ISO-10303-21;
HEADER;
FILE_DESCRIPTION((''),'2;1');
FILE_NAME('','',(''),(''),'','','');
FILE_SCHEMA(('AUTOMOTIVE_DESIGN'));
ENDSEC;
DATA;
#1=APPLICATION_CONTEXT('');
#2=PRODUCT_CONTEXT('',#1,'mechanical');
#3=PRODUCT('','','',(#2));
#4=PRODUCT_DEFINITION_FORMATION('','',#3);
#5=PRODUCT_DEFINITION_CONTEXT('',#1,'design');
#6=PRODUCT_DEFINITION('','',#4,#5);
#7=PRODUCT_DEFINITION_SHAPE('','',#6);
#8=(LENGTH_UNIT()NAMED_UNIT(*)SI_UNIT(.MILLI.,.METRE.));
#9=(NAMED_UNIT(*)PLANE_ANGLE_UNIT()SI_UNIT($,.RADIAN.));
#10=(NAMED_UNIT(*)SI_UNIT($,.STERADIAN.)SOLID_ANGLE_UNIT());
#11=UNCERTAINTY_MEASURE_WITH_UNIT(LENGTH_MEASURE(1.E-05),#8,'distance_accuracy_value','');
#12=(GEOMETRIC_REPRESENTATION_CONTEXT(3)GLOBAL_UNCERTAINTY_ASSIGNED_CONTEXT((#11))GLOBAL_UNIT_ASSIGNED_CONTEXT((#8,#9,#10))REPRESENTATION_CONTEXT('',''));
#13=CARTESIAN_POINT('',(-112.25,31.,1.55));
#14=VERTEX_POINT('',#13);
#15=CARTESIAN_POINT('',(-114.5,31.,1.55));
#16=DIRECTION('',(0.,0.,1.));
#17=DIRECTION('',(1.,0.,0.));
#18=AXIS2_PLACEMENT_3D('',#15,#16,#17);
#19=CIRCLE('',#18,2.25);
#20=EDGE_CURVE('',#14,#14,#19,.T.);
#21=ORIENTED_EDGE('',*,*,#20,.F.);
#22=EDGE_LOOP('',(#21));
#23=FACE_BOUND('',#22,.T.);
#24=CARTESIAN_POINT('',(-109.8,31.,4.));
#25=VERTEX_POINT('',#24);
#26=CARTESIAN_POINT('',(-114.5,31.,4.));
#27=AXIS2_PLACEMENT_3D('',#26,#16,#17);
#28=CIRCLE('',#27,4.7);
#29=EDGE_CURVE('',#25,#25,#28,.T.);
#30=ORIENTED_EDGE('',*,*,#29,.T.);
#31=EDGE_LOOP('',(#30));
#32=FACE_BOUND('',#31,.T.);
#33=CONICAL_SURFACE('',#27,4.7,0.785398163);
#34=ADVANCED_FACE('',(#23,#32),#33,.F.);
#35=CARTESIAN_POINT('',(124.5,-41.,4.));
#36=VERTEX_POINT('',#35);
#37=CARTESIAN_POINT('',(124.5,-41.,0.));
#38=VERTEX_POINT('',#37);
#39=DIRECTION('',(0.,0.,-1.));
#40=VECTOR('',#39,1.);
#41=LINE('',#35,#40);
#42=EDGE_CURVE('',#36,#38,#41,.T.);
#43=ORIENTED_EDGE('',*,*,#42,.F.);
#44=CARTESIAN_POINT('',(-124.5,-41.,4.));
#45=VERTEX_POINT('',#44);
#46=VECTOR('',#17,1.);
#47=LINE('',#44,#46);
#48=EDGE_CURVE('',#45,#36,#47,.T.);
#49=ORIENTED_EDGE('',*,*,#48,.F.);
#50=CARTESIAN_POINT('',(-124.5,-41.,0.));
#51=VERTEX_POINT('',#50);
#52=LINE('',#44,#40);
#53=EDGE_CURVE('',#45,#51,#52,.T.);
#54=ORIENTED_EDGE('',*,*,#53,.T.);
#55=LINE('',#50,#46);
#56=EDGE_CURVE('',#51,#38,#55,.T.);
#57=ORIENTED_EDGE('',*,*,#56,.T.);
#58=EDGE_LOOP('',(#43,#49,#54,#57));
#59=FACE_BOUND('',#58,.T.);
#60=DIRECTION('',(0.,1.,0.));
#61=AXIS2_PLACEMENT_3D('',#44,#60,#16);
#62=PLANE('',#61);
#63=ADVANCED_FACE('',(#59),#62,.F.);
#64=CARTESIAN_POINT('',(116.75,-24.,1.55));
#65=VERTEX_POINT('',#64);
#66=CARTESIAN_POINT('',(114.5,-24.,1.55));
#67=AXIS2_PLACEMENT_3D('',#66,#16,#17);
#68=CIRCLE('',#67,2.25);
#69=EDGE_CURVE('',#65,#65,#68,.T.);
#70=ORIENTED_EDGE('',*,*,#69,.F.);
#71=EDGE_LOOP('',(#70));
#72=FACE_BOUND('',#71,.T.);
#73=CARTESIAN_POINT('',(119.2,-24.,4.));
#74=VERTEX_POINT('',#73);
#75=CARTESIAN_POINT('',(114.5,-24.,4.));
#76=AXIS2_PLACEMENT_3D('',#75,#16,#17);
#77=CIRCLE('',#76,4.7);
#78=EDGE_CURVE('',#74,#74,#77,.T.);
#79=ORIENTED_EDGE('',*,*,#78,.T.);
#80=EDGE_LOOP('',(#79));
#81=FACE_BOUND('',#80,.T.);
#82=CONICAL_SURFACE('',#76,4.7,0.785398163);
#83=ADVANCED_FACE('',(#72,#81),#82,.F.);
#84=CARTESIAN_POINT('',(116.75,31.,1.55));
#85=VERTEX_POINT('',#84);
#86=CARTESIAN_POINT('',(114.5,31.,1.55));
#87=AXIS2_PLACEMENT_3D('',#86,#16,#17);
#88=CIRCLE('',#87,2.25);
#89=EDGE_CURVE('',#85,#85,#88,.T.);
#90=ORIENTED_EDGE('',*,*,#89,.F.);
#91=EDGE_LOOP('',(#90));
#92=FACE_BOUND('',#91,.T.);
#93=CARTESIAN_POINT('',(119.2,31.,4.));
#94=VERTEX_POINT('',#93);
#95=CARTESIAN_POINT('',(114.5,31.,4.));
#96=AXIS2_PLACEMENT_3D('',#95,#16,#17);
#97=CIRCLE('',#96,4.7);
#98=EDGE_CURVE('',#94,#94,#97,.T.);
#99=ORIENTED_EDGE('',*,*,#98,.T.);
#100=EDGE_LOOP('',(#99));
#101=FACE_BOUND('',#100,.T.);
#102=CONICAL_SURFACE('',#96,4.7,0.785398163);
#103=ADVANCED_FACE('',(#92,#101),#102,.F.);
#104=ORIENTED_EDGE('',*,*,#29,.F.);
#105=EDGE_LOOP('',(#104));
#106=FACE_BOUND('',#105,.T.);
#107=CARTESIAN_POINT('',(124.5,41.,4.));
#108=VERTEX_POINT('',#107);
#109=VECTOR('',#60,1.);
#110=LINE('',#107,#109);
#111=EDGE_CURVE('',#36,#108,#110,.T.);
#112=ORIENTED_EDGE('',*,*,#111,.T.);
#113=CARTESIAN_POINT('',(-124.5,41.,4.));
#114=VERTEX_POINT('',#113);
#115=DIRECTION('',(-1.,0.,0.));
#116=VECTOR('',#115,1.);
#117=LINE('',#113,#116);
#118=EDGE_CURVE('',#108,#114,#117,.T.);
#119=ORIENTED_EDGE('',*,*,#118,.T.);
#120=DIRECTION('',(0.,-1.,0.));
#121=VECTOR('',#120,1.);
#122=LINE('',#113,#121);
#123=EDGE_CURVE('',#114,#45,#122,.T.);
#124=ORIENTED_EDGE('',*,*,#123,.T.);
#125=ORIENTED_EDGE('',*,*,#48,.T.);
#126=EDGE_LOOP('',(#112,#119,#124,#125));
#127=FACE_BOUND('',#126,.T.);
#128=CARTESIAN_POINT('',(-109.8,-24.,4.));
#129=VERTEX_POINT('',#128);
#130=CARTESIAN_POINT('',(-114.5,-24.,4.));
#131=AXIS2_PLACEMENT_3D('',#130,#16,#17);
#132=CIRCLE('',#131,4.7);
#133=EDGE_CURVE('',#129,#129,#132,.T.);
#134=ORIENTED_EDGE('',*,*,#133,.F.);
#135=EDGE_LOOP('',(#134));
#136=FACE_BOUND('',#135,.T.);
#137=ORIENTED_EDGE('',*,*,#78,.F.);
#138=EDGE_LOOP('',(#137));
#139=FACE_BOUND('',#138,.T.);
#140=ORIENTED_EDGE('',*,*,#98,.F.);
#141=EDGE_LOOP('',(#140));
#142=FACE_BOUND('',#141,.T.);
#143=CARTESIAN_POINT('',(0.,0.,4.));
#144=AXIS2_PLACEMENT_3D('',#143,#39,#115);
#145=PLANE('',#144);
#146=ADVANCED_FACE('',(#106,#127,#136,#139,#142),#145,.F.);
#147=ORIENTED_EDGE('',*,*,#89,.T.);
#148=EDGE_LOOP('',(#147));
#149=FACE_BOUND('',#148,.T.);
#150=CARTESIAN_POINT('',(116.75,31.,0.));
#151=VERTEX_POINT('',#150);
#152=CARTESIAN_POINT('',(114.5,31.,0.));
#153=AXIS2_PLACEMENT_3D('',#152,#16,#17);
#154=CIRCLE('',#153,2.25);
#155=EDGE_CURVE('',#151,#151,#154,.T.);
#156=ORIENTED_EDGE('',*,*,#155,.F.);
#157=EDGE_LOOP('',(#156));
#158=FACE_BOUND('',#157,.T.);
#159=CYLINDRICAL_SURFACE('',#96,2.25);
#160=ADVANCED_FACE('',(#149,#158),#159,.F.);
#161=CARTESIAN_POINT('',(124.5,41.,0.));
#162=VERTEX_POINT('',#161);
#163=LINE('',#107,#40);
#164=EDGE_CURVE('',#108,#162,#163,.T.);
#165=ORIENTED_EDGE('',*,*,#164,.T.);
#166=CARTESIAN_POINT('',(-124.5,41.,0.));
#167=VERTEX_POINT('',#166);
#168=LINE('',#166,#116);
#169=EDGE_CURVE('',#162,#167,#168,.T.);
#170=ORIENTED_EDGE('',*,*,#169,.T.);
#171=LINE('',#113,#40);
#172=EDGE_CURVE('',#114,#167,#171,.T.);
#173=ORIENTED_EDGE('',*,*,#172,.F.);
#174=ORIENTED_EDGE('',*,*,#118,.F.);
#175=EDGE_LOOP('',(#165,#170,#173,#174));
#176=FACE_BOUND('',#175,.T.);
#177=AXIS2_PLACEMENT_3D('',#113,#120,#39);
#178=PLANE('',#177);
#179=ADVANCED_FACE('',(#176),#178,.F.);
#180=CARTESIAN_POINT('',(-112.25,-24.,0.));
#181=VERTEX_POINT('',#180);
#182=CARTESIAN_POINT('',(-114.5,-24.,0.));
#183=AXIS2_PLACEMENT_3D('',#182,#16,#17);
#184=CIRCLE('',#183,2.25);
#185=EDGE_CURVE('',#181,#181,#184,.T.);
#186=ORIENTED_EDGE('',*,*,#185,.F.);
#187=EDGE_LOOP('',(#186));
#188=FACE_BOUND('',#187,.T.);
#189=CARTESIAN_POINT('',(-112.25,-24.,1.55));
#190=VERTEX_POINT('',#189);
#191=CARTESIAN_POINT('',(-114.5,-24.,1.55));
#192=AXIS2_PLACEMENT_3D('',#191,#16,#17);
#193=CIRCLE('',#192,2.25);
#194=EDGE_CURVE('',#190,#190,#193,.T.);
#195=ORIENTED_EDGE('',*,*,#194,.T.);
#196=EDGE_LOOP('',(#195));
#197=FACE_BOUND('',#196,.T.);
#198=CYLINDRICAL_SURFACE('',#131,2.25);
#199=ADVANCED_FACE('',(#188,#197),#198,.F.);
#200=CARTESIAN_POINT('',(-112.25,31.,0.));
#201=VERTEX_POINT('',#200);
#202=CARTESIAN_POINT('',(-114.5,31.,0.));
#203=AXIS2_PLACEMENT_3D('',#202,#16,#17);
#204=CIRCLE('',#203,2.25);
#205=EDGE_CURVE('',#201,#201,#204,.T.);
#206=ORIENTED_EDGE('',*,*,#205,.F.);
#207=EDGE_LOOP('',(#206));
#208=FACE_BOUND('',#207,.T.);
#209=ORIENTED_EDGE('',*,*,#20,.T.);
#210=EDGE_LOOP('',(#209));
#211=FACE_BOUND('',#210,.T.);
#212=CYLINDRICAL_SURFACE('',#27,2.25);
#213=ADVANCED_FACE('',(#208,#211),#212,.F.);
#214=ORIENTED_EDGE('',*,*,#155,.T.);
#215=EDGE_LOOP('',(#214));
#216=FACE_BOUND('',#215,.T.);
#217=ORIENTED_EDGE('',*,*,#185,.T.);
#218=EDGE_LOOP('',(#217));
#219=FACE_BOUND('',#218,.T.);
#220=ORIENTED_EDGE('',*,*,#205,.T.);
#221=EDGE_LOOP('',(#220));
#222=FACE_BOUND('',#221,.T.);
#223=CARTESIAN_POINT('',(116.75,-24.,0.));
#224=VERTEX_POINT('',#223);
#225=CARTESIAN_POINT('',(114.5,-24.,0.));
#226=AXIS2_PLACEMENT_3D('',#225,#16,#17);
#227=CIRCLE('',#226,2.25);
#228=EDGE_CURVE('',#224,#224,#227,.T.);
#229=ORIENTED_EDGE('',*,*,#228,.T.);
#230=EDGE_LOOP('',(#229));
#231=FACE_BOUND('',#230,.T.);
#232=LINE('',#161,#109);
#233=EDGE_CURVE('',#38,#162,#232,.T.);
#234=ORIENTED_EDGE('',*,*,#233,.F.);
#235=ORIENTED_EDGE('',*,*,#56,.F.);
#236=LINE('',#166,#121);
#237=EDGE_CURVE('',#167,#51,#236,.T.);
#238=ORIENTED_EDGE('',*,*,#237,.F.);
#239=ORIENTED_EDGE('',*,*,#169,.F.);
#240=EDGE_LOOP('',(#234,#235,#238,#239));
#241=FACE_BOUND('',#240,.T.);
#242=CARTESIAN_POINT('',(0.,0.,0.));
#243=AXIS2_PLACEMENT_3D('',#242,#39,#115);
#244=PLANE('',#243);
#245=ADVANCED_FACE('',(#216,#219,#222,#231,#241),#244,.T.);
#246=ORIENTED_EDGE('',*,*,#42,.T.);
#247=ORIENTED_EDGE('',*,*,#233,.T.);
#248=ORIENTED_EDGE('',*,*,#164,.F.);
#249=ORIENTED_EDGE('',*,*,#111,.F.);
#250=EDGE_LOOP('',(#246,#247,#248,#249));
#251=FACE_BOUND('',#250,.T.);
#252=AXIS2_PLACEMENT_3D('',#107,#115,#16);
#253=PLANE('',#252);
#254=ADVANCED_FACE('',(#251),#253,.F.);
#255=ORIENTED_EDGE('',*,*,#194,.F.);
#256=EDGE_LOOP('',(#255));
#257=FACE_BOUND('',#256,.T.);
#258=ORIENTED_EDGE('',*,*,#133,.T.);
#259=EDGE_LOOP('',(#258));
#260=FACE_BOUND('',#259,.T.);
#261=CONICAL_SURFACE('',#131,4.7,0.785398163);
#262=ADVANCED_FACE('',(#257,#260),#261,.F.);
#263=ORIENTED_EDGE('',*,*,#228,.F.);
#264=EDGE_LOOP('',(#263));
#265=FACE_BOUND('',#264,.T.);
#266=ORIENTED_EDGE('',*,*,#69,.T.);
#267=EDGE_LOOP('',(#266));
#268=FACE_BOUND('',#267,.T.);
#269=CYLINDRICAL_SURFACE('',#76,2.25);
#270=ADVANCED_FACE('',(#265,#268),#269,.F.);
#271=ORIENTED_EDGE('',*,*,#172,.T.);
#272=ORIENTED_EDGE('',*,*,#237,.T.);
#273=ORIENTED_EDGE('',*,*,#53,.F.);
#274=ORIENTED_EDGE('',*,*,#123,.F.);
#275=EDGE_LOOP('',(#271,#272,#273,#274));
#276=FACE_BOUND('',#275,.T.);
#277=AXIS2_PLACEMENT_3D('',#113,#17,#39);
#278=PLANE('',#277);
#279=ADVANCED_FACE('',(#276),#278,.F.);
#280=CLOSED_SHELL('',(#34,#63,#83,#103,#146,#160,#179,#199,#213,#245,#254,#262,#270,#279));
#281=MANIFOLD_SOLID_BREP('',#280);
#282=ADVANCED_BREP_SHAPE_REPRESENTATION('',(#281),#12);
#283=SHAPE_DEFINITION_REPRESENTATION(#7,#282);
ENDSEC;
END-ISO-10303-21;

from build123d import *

# Parameters (mm, degrees)
ESQUISSE1_W                                 = 249
ESQUISSE1_H                                 = 82
BOSS_EXTRU_1_DEPTH                          = 4
FRAISAGE_POUR_VIS_T_TE_FRAIS_E_M42_AT_COUNT = 2
FRAISAGE_POUR_VIS_T_TE_FRAIS_E_M42_AT_PITCH = 55
FRAISAGE_POUR_VIS_T_TE_FRAIS_E_M42_2_COUNT  = 2
FRAISAGE_POUR_VIS_T_TE_FRAIS_E_M42_2_PITCH  = 229
FRAISAGE_POUR_VIS_T_TE_FRAIS_E_M42_3_COUNT  = 2
FRAISAGE_POUR_VIS_T_TE_FRAIS_E_M42_3_PITCH  = 235.512207752


with BuildPart() as part:
    # Esquisse1 → Boss.-Extru.1 (new body)
    with BuildSketch(Plane.XY):
        Rectangle(ESQUISSE1_W, ESQUISSE1_H)
    extrude(amount=BOSS_EXTRU_1_DEPTH)

    # Esquisse6 → Fraisage pour vis à tête fraisée M42 (revolve, cut)
    with BuildSketch(Plane(origin=(-114.5, -24, 4), x_dir=(0, -1, 0), z_dir=(1, 0, 0))):
        Polygon((0, 0), (0, 4), (2.25, 4), (2.25, 2.45), (4.7, 0), align=None)
    fraisage_pour_vis_t_te_frais_e_m42 = revolve(axis=Axis((-114.5, -24, 10.35), (0, 0, -1)), mode=Mode.SUBTRACT)

    # Fraisage pour vis à tête fraisée M42 at: Fraisage pour vis à tête fraisée M42 ×2
    with Locations(*[(0, i * FRAISAGE_POUR_VIS_T_TE_FRAIS_E_M42_AT_PITCH, 0) for i in range(1, FRAISAGE_POUR_VIS_T_TE_FRAIS_E_M42_AT_COUNT)]):
        add(fraisage_pour_vis_t_te_frais_e_m42, mode=Mode.SUBTRACT)

    # Fraisage pour vis _ t_te frais_e M42 2: Fraisage pour vis à tête fraisée M42 ×2
    with Locations(*[(i * FRAISAGE_POUR_VIS_T_TE_FRAIS_E_M42_2_PITCH, 0, 0) for i in range(1, FRAISAGE_POUR_VIS_T_TE_FRAIS_E_M42_2_COUNT)]):
        add(fraisage_pour_vis_t_te_frais_e_m42, mode=Mode.SUBTRACT)

    # Fraisage pour vis _ t_te frais_e M42 3: Fraisage pour vis à tête fraisée M42 ×2
    with Locations(*[Vector(0.972348747, 0.233533542, 0) * (i * FRAISAGE_POUR_VIS_T_TE_FRAIS_E_M42_3_PITCH) for i in range(1, FRAISAGE_POUR_VIS_T_TE_FRAIS_E_M42_3_COUNT)]):
        add(fraisage_pour_vis_t_te_frais_e_m42, mode=Mode.SUBTRACT)


solid = part.part
